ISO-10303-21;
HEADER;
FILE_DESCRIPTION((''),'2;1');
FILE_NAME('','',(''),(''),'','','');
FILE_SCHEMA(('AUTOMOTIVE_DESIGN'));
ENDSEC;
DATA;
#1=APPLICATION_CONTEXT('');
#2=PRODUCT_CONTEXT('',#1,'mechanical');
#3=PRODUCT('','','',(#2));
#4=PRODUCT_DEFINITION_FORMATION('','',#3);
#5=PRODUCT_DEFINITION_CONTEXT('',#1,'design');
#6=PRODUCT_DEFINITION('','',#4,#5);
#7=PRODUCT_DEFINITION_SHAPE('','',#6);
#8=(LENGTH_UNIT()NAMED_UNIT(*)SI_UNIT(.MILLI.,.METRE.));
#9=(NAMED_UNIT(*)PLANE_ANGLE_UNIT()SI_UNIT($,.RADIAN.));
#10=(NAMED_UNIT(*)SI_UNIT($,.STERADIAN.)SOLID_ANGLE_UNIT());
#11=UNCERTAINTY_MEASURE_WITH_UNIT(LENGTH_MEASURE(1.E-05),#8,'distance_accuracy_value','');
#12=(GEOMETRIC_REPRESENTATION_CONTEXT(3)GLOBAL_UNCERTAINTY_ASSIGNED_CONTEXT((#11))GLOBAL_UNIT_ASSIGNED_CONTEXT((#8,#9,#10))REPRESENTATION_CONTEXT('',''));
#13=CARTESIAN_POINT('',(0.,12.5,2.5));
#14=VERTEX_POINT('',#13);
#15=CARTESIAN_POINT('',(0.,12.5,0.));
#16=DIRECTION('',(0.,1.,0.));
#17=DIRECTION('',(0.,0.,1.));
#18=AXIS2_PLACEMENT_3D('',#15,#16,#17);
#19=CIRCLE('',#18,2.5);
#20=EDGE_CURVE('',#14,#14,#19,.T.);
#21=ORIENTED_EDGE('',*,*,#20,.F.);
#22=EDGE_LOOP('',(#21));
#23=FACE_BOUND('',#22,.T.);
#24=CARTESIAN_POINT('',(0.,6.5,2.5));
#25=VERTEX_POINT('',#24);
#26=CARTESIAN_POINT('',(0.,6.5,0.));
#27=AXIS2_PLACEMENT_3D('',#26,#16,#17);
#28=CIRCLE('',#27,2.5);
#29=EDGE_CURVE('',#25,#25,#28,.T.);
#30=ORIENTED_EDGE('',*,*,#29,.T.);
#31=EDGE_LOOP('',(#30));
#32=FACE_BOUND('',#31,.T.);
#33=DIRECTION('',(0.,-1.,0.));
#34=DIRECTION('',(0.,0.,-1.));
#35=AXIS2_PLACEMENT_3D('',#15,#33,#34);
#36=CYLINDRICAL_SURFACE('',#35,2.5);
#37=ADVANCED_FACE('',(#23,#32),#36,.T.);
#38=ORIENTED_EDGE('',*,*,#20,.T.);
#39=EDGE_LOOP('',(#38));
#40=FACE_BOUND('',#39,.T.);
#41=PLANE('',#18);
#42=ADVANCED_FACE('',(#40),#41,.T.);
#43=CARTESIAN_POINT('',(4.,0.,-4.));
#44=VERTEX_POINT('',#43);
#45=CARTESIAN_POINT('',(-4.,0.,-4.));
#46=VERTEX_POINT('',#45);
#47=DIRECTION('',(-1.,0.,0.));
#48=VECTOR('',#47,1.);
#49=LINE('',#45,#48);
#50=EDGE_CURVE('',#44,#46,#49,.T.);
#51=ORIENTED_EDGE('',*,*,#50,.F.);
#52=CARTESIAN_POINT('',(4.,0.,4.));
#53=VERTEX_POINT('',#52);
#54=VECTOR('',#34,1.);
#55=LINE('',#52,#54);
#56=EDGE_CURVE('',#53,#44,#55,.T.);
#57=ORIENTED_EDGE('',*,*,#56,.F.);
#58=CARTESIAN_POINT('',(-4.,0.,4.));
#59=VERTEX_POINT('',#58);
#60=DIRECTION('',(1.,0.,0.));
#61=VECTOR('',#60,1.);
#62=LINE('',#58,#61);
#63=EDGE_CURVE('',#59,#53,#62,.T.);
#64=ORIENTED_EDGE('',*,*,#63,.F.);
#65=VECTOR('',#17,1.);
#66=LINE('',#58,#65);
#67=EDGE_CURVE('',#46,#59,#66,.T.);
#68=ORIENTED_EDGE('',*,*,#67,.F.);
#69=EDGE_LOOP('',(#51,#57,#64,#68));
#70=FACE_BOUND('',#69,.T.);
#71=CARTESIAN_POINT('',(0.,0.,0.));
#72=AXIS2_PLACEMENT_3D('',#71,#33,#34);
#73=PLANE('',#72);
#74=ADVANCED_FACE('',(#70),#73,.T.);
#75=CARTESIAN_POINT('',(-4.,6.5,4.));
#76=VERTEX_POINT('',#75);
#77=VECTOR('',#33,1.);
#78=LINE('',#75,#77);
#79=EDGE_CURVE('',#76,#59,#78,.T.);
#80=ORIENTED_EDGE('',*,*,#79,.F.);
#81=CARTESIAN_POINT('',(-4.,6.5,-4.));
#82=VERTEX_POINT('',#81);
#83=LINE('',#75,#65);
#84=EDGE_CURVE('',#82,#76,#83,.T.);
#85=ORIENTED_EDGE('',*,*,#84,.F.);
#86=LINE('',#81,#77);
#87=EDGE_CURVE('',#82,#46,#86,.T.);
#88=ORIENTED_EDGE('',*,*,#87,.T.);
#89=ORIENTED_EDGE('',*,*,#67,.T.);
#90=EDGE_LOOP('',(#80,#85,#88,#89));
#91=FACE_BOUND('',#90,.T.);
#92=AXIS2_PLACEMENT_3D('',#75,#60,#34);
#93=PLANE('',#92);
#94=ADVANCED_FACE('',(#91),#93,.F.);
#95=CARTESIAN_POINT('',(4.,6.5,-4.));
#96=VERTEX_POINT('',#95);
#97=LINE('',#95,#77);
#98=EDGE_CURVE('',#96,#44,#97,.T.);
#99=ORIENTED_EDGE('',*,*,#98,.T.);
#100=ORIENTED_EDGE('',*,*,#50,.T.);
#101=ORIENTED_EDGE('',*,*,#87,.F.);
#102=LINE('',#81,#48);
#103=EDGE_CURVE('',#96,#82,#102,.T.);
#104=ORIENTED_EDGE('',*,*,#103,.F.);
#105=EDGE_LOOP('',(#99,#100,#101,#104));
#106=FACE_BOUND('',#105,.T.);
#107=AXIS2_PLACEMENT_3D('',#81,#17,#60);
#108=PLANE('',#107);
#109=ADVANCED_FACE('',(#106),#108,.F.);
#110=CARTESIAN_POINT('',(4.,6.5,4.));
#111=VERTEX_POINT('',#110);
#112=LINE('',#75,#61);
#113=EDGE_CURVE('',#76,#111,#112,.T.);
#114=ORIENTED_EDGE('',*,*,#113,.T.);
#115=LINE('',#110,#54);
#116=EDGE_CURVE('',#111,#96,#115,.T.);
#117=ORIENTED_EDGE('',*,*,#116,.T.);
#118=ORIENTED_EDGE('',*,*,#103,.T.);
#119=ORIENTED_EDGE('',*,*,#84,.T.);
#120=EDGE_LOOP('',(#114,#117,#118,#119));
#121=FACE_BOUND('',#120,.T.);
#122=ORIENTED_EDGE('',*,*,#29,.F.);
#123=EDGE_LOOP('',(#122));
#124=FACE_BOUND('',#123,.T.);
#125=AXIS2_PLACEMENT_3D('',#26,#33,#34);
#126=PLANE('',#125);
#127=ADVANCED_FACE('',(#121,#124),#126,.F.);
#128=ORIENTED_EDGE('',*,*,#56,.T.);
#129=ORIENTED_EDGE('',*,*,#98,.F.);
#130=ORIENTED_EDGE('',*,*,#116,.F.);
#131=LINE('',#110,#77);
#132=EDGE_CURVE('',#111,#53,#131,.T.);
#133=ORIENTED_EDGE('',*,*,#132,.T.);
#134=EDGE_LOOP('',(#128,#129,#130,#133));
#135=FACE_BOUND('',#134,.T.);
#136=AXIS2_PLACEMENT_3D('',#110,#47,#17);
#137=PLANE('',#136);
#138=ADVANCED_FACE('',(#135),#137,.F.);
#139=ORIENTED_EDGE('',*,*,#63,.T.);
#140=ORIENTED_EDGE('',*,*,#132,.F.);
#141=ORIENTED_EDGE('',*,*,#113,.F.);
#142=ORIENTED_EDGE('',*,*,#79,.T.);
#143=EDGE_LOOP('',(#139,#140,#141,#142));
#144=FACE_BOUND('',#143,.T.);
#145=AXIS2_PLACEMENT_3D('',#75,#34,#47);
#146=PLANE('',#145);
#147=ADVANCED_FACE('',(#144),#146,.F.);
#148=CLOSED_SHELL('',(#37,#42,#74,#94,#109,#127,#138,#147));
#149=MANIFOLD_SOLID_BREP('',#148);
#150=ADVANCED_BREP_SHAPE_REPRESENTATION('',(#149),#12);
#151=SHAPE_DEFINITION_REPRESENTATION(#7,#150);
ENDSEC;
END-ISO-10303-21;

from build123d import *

# Parameters (mm, degrees)
SZKIC1_W                    = 8
SZKIC1_H                    = 8
DODANIE_WYCI_GNI_CIE1_DEPTH = 6.5
SZKIC2_R                    = 2.5
DODANIE_WYCI_GNI_CIE2_DEPTH = 6


with BuildPart() as part:
    # Szkic1 → Dodanie-wyciągnięcie1 (new body)
    with BuildSketch(Plane(origin=(0, 0, 0), x_dir=(1, 0, 0), z_dir=(0, 1, 0))):
        Rectangle(SZKIC1_W, SZKIC1_H)
    extrude(amount=DODANIE_WYCI_GNI_CIE1_DEPTH)

    # Szkic2 → Dodanie-wyciągnięcie2 (add)
    with BuildSketch(Plane(origin=(0, 6.5, 0), x_dir=(1, 0, 0), z_dir=(0, 1, 0))):
        with Locations(Location((0, 0, 0), (0, 0, 270))):
            Circle(SZKIC2_R)
    extrude(amount=DODANIE_WYCI_GNI_CIE2_DEPTH)


solid = part.part
